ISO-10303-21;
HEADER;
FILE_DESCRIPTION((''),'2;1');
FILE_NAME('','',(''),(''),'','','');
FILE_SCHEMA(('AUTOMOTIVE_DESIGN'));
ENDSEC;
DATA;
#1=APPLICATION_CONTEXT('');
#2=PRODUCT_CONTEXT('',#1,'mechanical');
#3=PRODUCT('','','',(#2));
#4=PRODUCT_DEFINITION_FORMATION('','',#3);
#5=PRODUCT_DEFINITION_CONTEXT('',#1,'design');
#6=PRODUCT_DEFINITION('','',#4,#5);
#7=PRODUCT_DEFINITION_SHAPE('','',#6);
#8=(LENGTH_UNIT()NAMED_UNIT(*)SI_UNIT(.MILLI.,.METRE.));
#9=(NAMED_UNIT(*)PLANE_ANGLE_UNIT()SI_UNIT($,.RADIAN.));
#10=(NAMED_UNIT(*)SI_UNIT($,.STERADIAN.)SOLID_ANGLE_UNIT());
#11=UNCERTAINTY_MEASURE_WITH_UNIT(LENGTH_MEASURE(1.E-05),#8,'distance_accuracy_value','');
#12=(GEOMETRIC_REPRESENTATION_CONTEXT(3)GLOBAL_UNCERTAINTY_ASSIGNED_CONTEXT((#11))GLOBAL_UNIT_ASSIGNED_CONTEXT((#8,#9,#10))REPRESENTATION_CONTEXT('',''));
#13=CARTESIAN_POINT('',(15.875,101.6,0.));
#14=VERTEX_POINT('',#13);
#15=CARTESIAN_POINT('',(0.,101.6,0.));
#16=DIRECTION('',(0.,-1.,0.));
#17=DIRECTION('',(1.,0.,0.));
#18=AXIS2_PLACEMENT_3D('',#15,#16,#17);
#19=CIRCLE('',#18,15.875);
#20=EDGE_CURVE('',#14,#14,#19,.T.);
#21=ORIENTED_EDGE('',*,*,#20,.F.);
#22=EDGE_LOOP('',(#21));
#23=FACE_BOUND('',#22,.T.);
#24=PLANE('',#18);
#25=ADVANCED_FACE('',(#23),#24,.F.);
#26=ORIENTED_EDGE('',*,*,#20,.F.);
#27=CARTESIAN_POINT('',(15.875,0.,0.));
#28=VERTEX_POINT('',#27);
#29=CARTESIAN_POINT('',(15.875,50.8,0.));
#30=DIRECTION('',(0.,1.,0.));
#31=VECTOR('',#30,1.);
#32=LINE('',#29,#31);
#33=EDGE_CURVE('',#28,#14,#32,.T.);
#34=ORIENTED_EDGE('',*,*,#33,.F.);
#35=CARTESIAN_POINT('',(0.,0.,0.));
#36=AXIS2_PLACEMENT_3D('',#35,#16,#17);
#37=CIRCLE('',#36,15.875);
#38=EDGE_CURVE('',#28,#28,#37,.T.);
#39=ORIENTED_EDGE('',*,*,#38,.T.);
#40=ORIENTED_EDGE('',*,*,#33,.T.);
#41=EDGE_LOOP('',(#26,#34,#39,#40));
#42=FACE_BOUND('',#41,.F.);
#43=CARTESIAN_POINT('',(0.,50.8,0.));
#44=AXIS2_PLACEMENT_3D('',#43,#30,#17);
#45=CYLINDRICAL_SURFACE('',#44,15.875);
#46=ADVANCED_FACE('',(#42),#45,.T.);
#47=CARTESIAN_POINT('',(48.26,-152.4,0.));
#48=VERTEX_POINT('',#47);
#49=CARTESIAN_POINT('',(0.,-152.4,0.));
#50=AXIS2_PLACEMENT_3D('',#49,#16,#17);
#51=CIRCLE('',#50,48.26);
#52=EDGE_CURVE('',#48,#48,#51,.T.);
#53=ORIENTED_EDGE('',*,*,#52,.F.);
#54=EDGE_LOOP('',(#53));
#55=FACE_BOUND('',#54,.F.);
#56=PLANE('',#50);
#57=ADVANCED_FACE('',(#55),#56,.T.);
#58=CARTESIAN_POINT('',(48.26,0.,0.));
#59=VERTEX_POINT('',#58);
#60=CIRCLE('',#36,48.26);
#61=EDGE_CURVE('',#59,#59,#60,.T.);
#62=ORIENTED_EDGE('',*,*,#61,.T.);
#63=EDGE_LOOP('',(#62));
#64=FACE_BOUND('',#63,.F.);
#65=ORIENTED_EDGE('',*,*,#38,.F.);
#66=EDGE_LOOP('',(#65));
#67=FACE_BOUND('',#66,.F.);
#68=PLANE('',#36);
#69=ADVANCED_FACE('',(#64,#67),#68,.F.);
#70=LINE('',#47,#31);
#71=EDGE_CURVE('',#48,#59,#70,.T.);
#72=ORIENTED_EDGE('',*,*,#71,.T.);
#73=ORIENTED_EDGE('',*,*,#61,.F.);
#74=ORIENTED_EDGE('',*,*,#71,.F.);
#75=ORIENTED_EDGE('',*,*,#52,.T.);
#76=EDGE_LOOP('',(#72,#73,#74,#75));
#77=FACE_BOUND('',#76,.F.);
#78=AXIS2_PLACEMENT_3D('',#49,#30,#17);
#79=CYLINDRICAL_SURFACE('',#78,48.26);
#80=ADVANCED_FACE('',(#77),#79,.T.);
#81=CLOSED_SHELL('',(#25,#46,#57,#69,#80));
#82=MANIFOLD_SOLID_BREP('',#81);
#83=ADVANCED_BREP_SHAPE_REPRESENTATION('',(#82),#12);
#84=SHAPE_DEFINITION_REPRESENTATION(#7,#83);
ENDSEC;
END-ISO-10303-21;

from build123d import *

# Parameters (mm, degrees)
F0_W = 15.875
F0_H = 101.6


with BuildPart() as f1:
    # F0 (on Top) → F1 (revolve)
    with BuildSketch(Plane.XY):
        with Locations((7.9375, 50.8)):
            Rectangle(F0_W, F0_H)
        Polygon((15.875, 0), (0, 0), (0, -152.4), (48.26, -152.4), (48.26, 0), align=None)
    revolve(axis=Axis((0, -76.2, 0), (0, -1, 0)))


solid = f1.part
